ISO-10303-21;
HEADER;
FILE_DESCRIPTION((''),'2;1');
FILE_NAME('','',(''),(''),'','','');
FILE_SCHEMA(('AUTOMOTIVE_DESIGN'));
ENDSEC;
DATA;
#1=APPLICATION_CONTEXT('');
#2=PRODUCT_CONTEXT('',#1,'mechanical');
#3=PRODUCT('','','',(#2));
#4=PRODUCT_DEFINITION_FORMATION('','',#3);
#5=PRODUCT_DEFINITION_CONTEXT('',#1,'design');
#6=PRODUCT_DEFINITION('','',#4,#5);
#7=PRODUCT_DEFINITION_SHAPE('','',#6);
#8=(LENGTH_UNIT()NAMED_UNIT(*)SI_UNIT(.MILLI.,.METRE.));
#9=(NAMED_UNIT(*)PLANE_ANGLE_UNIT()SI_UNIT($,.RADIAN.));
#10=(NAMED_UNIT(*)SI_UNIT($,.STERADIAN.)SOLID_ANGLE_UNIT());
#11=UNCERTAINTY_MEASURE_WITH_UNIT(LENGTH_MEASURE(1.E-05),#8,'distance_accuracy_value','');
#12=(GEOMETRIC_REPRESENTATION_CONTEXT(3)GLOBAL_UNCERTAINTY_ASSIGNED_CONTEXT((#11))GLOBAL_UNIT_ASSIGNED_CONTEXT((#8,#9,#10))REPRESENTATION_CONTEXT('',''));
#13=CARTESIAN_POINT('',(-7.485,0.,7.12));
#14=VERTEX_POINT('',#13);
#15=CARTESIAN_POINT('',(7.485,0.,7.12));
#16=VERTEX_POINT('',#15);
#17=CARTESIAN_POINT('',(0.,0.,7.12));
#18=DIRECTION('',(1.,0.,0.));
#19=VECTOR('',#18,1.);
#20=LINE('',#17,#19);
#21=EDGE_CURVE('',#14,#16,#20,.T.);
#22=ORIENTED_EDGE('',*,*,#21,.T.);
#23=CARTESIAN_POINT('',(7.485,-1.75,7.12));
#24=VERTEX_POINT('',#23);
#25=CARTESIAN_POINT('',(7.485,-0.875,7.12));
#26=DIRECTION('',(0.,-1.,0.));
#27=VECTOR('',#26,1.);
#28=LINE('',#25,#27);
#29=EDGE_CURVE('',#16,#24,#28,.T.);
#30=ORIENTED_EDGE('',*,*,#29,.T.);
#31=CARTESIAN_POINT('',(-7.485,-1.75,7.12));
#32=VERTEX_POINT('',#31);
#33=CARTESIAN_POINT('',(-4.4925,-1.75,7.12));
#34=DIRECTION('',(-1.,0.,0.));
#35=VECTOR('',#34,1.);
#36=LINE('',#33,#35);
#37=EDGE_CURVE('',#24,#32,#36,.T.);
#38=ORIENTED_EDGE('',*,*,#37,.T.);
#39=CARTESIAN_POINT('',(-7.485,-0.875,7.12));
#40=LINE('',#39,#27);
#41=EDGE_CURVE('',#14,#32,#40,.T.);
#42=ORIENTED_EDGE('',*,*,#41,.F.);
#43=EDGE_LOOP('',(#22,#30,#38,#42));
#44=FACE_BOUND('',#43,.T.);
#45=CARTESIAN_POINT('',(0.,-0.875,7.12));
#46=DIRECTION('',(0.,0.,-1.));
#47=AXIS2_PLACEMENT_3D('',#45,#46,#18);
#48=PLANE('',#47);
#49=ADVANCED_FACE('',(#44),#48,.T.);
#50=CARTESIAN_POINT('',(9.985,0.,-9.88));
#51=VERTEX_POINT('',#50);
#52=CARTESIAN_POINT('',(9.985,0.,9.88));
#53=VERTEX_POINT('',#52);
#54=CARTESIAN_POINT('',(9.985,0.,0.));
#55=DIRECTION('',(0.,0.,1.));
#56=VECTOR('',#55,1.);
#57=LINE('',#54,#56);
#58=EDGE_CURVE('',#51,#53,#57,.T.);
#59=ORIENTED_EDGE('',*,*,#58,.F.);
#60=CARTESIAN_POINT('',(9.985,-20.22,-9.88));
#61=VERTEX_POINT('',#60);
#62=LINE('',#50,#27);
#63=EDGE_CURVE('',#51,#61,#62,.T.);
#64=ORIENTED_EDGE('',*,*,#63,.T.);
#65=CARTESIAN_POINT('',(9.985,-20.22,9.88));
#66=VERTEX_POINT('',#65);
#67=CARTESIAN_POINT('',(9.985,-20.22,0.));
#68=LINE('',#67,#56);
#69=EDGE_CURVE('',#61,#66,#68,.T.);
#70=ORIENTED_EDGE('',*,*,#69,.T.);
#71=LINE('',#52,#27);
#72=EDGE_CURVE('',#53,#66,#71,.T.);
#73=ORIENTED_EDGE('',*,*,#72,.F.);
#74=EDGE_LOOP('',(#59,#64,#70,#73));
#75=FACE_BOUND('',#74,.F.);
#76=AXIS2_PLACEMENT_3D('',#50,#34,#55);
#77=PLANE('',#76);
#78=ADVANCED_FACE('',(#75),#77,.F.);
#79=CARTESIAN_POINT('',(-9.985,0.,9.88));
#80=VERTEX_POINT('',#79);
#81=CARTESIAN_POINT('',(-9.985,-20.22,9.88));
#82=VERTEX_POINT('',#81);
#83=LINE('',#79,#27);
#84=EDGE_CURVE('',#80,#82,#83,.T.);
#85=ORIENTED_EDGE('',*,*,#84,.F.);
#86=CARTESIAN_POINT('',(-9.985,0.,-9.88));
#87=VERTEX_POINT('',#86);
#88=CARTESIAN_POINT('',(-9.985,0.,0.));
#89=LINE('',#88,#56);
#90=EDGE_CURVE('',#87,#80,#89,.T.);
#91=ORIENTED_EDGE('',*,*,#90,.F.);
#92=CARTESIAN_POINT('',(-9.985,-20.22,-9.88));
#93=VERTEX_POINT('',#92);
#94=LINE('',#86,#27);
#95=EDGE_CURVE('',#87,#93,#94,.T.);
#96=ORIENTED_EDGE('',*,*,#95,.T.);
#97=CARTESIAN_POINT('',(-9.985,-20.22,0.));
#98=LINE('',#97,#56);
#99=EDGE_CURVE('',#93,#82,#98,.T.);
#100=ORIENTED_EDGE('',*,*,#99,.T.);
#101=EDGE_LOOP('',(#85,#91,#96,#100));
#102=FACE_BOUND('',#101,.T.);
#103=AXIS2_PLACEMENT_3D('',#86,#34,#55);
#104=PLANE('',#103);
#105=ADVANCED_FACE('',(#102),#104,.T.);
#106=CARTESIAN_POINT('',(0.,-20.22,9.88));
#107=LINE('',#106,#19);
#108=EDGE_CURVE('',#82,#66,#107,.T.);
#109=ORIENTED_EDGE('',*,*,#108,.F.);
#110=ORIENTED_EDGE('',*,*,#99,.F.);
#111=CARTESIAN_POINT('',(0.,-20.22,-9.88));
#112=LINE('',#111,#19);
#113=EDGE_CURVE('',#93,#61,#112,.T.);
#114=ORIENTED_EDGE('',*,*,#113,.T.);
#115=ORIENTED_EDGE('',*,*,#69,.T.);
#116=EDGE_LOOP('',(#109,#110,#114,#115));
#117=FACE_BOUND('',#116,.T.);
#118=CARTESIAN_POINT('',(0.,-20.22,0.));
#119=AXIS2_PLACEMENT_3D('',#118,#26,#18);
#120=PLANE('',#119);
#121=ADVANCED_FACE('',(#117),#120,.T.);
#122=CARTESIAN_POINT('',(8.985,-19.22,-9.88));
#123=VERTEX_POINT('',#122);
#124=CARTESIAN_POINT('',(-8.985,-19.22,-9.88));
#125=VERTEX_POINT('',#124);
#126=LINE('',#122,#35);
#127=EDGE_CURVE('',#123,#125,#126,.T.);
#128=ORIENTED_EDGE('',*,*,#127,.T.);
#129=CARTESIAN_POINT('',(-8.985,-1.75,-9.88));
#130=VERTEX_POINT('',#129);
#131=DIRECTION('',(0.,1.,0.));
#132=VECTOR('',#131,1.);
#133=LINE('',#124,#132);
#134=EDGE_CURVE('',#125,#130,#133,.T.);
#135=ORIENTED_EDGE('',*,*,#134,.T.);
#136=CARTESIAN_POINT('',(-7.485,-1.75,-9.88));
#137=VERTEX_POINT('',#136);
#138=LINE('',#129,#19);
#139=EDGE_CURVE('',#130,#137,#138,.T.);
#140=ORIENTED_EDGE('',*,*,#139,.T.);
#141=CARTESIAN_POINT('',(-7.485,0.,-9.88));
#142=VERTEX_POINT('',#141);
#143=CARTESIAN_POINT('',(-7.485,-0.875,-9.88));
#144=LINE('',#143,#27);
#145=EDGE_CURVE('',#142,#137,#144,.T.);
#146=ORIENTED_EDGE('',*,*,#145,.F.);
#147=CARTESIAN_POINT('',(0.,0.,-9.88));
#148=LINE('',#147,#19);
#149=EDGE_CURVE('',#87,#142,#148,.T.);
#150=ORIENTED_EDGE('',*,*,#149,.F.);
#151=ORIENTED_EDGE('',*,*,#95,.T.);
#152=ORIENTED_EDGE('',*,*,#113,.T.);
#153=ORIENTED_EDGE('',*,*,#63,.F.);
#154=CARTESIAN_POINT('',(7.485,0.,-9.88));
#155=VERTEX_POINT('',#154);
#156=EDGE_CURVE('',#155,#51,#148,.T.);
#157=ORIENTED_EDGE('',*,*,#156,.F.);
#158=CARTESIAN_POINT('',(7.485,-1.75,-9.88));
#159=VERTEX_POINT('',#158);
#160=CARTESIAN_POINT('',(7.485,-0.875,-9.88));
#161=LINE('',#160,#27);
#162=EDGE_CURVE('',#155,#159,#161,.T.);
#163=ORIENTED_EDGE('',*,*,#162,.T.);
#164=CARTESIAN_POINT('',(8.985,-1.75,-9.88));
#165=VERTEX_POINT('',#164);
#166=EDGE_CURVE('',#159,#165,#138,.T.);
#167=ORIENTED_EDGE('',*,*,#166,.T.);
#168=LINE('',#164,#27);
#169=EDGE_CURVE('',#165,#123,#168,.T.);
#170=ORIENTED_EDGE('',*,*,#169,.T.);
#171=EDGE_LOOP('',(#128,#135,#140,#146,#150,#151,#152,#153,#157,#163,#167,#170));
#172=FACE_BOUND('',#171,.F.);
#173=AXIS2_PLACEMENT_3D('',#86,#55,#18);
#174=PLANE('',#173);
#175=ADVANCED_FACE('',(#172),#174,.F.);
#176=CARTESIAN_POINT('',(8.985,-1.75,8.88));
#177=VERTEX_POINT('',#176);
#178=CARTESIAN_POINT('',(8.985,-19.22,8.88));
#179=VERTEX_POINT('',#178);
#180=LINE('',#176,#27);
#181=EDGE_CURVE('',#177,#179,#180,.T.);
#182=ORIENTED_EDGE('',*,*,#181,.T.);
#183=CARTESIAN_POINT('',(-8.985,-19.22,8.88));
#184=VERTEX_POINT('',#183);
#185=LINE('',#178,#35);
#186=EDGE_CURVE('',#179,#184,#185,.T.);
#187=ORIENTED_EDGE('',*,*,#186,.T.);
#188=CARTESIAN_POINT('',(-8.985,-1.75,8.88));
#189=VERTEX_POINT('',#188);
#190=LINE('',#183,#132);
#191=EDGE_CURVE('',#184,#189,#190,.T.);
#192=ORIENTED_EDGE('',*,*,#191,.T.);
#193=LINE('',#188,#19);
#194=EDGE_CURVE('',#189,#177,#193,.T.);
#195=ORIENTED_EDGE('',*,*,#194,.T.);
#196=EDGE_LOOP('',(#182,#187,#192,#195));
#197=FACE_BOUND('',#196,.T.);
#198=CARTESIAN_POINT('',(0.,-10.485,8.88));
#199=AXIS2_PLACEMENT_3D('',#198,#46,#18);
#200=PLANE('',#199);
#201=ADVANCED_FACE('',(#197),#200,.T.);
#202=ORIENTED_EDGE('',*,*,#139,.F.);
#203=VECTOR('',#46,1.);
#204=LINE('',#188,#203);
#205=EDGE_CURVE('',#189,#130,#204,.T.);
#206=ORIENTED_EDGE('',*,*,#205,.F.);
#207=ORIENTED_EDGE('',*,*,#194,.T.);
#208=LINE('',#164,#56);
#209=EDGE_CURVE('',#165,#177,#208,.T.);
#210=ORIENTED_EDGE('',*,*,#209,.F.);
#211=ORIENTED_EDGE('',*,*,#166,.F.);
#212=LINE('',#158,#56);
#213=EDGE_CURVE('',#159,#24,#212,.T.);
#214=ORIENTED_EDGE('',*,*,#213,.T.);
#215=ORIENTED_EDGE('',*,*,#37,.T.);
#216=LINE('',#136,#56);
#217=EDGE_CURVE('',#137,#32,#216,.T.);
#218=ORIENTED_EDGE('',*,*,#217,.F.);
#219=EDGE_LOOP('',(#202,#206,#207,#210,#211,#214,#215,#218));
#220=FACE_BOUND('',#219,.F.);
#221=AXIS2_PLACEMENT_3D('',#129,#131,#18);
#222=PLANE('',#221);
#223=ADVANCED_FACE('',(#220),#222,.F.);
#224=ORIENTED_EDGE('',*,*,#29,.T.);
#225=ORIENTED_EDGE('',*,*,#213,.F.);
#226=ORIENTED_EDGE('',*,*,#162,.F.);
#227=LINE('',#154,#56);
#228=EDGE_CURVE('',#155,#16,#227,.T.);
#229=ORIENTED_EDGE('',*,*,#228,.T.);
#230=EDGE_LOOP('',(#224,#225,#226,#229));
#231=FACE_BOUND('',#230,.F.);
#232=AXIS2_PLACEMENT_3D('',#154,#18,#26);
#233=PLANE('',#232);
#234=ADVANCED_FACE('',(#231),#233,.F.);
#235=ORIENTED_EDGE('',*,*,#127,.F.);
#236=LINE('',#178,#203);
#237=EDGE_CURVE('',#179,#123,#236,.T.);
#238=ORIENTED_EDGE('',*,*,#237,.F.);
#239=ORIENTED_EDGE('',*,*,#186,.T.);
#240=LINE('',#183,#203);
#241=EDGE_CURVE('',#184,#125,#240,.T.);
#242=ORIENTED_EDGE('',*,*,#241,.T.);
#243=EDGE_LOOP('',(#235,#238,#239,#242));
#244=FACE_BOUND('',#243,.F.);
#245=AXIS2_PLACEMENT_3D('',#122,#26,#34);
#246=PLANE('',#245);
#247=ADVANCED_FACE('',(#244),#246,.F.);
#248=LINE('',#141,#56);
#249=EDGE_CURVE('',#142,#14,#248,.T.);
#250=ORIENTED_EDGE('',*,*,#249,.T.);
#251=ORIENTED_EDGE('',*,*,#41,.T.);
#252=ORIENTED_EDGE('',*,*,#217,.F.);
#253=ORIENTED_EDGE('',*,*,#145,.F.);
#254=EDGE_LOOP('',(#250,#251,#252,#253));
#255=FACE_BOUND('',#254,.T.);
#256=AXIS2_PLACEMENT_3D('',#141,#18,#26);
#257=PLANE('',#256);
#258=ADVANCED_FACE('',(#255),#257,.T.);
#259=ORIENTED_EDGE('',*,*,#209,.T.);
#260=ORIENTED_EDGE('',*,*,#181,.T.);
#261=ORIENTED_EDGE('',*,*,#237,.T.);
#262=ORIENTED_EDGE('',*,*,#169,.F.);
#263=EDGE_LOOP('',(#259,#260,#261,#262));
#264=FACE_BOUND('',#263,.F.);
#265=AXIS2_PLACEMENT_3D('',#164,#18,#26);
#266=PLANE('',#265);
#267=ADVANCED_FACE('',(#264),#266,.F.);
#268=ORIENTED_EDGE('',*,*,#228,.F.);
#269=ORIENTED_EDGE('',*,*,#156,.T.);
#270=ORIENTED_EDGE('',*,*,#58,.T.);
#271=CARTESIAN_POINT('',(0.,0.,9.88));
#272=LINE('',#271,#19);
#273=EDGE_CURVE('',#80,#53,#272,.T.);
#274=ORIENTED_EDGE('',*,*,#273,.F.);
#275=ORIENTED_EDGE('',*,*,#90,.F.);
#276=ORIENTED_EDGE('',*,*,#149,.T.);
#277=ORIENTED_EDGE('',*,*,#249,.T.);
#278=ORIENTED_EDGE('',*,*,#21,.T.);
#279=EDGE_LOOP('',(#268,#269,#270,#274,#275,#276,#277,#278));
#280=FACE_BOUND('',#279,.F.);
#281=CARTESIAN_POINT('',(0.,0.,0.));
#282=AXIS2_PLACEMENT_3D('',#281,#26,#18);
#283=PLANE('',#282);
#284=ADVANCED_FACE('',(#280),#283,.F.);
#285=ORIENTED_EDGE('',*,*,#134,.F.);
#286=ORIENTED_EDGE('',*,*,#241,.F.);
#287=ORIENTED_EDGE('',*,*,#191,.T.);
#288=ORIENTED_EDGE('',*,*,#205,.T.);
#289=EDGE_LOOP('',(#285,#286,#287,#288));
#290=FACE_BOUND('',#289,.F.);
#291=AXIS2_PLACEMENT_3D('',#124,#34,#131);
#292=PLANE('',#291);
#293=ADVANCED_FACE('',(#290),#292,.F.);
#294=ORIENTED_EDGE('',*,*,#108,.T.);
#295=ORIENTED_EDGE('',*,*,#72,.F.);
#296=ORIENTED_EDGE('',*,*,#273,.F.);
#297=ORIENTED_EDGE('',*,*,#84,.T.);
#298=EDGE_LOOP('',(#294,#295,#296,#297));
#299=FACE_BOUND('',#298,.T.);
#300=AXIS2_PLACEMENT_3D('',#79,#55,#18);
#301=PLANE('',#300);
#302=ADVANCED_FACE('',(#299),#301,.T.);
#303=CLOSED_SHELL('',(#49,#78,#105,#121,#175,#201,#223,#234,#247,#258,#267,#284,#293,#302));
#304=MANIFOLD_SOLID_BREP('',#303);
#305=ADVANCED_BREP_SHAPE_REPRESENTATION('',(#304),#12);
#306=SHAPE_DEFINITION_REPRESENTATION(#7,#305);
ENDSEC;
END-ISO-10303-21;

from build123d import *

# Parameters (mm, degrees)
F0_W     = 19.97
F0_H     = 19.76
F1_DEPTH = 20.22
F3_DEPTH = 18.76
F2_W     = 14.97
F2_H     = 1.75
F4_DEPTH = 17


with BuildPart() as f1:
    # F0 (on Front) → F1 (new body)
    with BuildSketch(Plane.XZ):
        Rectangle(F0_W, F0_H)
    extrude(amount=F1_DEPTH)

    # F2 (on face) → F3 (cut)
    with BuildSketch(Plane(origin=(0, 0, -9.88), x_dir=(1, 0, 0), z_dir=(0, 0, -1))):
        Polygon((8.985, 1.75), (8.985, 19.22), (-8.985, 19.22), (-8.985, 1.75), (-7.485, 1.75), (7.485, 1.75), align=None)
    extrude(amount=-F3_DEPTH, mode=Mode.SUBTRACT)

    # F2 (on face) → F4 (cut)
    with BuildSketch(Plane(origin=(0, 0, -9.88), x_dir=(1, 0, 0), z_dir=(0, 0, -1))):
        with Locations((0, 0.875)):
            Rectangle(F2_W, F2_H)
        Polygon((8.985, 1.75), (8.985, 19.22), (-8.985, 19.22), (-8.985, 1.75), (-7.485, 1.75), (7.485, 1.75), align=None)
    extrude(amount=-F4_DEPTH, mode=Mode.SUBTRACT)


solid = f1.part
